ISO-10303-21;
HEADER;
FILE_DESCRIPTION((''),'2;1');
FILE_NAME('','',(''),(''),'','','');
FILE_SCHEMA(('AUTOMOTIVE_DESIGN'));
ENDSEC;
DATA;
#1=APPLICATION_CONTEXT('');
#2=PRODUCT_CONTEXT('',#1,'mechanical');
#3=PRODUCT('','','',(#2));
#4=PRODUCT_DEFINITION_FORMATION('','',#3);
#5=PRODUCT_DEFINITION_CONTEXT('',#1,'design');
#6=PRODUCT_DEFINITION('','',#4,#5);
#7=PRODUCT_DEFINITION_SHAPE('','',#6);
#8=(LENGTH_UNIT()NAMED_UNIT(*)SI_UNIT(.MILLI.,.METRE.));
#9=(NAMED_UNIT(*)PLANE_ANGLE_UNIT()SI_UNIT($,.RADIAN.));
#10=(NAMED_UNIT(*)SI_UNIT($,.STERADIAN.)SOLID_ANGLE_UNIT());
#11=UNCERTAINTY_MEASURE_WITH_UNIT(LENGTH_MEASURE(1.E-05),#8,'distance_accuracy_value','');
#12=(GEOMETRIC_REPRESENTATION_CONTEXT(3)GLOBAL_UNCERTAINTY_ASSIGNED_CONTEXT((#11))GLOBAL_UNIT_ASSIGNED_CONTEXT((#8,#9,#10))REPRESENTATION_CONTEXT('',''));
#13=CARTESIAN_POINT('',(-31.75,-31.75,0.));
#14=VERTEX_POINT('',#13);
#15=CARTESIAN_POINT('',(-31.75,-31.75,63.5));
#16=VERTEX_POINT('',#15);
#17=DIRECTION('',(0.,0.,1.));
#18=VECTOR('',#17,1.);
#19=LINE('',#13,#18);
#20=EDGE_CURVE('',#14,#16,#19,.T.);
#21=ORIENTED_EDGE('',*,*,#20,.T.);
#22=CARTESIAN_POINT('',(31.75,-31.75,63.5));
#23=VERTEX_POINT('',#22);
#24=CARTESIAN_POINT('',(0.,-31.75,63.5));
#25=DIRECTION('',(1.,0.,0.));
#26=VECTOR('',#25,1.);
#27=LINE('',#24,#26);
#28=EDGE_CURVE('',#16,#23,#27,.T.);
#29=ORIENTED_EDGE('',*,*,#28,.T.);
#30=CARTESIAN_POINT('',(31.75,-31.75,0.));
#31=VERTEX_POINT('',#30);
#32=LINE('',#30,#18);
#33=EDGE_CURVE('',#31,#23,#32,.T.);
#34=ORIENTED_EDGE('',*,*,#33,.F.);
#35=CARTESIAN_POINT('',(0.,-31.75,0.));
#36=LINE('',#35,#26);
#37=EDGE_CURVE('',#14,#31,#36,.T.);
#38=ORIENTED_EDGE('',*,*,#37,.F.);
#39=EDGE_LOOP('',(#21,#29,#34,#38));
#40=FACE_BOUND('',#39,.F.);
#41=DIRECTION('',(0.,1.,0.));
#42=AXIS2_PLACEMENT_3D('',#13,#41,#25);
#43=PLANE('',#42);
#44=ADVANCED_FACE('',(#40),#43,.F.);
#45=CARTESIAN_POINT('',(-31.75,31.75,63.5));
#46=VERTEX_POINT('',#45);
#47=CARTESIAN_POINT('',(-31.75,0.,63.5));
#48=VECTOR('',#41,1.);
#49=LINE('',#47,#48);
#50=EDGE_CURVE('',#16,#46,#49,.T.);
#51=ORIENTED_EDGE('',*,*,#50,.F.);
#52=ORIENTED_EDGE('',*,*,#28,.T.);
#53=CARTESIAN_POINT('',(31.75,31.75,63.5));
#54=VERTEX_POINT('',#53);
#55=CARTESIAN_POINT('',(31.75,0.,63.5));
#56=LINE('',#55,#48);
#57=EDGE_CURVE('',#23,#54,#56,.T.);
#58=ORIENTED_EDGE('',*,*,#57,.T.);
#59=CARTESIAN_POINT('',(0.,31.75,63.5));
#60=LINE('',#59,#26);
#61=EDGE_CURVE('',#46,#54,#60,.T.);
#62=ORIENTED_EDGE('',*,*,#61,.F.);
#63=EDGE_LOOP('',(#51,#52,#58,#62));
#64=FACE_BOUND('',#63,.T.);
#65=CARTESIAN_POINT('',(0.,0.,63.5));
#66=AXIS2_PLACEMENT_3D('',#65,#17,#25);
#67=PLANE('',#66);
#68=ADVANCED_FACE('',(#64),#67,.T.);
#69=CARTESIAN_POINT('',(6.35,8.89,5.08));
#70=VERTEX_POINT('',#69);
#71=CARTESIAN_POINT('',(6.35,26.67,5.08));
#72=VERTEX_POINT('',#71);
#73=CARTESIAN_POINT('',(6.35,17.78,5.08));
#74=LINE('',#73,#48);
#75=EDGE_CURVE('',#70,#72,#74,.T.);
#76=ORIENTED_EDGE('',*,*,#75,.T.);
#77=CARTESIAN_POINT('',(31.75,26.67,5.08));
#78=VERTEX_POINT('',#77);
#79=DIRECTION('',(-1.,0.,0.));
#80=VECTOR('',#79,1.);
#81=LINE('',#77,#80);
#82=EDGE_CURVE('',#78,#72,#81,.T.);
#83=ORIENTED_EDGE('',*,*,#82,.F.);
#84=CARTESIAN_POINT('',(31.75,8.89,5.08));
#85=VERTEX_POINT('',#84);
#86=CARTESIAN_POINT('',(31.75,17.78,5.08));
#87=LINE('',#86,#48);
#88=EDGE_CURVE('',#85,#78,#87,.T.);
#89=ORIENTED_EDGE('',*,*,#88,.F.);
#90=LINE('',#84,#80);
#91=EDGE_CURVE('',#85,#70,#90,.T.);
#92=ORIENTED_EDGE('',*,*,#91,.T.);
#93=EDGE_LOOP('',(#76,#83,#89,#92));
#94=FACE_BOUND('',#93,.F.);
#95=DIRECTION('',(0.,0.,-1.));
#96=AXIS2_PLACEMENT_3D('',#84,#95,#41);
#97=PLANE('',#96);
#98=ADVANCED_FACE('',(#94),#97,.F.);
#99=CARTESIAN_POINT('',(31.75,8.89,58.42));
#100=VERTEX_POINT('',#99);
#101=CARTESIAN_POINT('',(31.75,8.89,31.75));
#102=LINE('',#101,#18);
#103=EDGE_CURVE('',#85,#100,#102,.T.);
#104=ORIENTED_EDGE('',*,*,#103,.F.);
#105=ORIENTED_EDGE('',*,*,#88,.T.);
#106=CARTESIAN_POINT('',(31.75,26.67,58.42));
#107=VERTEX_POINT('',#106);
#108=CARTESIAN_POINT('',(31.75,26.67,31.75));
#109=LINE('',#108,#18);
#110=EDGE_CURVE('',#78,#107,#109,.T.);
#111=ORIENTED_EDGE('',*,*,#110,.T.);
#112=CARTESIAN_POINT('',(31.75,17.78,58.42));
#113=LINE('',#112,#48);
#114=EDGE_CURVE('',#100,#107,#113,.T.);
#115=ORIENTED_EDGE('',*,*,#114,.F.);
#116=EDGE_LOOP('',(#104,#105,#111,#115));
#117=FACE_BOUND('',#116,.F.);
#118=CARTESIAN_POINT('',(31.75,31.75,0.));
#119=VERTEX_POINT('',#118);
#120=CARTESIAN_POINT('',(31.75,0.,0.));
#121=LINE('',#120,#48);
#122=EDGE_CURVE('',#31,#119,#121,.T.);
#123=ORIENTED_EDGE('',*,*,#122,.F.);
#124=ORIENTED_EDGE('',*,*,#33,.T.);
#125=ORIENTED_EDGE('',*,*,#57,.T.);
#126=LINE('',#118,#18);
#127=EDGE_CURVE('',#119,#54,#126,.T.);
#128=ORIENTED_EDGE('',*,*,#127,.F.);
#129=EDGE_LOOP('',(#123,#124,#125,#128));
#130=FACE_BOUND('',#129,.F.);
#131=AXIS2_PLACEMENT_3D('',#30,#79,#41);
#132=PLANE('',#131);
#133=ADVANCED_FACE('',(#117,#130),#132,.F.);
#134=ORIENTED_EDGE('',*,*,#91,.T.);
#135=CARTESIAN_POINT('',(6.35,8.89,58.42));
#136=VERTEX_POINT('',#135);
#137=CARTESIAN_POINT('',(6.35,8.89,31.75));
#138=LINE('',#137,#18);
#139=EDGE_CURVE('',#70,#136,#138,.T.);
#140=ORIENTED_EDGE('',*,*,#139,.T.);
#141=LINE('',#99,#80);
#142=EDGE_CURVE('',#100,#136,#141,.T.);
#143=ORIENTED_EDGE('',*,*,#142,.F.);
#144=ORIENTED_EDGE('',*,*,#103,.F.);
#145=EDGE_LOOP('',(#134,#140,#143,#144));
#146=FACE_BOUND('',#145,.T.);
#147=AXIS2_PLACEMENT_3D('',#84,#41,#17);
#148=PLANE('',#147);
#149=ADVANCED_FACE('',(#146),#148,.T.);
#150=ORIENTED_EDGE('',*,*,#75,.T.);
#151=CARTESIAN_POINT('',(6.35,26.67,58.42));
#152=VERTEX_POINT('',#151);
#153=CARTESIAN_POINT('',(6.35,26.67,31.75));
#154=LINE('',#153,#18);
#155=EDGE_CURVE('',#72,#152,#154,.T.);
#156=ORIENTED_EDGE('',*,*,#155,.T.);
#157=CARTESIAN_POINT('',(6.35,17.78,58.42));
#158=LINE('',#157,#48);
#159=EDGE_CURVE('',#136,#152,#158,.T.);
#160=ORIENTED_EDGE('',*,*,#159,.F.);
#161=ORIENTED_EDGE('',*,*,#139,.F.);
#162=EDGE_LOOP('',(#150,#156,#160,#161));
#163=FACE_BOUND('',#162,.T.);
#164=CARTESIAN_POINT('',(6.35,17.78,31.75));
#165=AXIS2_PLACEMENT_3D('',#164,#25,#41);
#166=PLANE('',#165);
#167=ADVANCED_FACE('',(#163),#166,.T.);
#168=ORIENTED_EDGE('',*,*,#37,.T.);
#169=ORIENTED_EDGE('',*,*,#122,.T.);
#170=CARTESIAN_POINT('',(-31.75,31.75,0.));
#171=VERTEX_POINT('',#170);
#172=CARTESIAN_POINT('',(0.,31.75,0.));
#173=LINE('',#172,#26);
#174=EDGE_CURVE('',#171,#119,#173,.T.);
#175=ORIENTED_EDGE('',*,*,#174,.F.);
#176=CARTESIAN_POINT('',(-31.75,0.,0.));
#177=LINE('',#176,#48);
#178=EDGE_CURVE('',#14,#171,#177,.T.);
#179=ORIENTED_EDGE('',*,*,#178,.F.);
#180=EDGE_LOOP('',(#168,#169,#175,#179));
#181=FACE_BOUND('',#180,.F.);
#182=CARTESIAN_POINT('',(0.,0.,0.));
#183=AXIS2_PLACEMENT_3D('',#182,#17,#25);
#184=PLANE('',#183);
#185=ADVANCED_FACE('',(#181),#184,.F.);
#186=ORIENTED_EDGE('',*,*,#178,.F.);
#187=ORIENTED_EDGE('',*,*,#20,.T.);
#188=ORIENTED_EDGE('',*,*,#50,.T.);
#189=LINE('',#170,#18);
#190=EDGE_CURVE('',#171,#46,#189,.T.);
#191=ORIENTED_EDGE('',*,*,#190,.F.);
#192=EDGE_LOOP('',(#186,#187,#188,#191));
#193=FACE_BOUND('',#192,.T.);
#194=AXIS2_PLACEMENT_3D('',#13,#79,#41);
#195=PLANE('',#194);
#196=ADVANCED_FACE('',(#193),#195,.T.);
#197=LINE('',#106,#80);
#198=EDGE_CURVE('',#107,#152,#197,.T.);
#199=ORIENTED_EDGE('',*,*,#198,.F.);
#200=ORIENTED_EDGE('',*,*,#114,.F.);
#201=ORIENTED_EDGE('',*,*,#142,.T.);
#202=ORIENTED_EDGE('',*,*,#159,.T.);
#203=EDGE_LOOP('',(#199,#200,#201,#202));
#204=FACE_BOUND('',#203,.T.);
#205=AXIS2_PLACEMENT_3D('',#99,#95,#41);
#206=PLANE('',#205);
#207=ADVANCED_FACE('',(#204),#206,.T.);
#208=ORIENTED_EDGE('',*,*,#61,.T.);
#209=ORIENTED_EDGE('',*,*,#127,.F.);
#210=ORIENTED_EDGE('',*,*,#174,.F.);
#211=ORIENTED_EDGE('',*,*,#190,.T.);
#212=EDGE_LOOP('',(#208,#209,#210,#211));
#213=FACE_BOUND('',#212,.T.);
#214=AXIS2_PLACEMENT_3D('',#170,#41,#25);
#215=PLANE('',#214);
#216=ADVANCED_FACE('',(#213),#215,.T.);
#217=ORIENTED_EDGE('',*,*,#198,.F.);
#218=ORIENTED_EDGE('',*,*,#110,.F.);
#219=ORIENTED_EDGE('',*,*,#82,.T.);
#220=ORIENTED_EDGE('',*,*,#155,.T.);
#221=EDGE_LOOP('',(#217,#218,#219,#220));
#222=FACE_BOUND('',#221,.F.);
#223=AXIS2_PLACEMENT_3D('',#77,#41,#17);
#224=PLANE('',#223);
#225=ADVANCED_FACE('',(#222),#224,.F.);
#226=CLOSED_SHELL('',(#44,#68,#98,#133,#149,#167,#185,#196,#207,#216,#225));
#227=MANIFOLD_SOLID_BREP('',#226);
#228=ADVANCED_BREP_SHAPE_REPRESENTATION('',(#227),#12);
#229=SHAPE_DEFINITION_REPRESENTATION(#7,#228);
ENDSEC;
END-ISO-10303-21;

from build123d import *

# Parameters (mm, degrees)
F0_W     = 63.5
F0_H     = 63.5
F1_DEPTH = 63.5
F2_W     = 17.78
F2_H     = 53.34
F3_DEPTH = 25.4


with BuildPart() as f1:
    # F0 (on Top) → F1 (new body)
    with BuildSketch(Plane.XY):
        Rectangle(F0_W, F0_H)
    extrude(amount=F1_DEPTH)

    # F2 (on face) → F3 (cut)
    with BuildSketch(Plane.YZ.offset(31.75)):
        with Locations((17.78, 31.75)):
            Rectangle(F2_W, F2_H)
    extrude(amount=-F3_DEPTH, mode=Mode.SUBTRACT)


solid = f1.part
